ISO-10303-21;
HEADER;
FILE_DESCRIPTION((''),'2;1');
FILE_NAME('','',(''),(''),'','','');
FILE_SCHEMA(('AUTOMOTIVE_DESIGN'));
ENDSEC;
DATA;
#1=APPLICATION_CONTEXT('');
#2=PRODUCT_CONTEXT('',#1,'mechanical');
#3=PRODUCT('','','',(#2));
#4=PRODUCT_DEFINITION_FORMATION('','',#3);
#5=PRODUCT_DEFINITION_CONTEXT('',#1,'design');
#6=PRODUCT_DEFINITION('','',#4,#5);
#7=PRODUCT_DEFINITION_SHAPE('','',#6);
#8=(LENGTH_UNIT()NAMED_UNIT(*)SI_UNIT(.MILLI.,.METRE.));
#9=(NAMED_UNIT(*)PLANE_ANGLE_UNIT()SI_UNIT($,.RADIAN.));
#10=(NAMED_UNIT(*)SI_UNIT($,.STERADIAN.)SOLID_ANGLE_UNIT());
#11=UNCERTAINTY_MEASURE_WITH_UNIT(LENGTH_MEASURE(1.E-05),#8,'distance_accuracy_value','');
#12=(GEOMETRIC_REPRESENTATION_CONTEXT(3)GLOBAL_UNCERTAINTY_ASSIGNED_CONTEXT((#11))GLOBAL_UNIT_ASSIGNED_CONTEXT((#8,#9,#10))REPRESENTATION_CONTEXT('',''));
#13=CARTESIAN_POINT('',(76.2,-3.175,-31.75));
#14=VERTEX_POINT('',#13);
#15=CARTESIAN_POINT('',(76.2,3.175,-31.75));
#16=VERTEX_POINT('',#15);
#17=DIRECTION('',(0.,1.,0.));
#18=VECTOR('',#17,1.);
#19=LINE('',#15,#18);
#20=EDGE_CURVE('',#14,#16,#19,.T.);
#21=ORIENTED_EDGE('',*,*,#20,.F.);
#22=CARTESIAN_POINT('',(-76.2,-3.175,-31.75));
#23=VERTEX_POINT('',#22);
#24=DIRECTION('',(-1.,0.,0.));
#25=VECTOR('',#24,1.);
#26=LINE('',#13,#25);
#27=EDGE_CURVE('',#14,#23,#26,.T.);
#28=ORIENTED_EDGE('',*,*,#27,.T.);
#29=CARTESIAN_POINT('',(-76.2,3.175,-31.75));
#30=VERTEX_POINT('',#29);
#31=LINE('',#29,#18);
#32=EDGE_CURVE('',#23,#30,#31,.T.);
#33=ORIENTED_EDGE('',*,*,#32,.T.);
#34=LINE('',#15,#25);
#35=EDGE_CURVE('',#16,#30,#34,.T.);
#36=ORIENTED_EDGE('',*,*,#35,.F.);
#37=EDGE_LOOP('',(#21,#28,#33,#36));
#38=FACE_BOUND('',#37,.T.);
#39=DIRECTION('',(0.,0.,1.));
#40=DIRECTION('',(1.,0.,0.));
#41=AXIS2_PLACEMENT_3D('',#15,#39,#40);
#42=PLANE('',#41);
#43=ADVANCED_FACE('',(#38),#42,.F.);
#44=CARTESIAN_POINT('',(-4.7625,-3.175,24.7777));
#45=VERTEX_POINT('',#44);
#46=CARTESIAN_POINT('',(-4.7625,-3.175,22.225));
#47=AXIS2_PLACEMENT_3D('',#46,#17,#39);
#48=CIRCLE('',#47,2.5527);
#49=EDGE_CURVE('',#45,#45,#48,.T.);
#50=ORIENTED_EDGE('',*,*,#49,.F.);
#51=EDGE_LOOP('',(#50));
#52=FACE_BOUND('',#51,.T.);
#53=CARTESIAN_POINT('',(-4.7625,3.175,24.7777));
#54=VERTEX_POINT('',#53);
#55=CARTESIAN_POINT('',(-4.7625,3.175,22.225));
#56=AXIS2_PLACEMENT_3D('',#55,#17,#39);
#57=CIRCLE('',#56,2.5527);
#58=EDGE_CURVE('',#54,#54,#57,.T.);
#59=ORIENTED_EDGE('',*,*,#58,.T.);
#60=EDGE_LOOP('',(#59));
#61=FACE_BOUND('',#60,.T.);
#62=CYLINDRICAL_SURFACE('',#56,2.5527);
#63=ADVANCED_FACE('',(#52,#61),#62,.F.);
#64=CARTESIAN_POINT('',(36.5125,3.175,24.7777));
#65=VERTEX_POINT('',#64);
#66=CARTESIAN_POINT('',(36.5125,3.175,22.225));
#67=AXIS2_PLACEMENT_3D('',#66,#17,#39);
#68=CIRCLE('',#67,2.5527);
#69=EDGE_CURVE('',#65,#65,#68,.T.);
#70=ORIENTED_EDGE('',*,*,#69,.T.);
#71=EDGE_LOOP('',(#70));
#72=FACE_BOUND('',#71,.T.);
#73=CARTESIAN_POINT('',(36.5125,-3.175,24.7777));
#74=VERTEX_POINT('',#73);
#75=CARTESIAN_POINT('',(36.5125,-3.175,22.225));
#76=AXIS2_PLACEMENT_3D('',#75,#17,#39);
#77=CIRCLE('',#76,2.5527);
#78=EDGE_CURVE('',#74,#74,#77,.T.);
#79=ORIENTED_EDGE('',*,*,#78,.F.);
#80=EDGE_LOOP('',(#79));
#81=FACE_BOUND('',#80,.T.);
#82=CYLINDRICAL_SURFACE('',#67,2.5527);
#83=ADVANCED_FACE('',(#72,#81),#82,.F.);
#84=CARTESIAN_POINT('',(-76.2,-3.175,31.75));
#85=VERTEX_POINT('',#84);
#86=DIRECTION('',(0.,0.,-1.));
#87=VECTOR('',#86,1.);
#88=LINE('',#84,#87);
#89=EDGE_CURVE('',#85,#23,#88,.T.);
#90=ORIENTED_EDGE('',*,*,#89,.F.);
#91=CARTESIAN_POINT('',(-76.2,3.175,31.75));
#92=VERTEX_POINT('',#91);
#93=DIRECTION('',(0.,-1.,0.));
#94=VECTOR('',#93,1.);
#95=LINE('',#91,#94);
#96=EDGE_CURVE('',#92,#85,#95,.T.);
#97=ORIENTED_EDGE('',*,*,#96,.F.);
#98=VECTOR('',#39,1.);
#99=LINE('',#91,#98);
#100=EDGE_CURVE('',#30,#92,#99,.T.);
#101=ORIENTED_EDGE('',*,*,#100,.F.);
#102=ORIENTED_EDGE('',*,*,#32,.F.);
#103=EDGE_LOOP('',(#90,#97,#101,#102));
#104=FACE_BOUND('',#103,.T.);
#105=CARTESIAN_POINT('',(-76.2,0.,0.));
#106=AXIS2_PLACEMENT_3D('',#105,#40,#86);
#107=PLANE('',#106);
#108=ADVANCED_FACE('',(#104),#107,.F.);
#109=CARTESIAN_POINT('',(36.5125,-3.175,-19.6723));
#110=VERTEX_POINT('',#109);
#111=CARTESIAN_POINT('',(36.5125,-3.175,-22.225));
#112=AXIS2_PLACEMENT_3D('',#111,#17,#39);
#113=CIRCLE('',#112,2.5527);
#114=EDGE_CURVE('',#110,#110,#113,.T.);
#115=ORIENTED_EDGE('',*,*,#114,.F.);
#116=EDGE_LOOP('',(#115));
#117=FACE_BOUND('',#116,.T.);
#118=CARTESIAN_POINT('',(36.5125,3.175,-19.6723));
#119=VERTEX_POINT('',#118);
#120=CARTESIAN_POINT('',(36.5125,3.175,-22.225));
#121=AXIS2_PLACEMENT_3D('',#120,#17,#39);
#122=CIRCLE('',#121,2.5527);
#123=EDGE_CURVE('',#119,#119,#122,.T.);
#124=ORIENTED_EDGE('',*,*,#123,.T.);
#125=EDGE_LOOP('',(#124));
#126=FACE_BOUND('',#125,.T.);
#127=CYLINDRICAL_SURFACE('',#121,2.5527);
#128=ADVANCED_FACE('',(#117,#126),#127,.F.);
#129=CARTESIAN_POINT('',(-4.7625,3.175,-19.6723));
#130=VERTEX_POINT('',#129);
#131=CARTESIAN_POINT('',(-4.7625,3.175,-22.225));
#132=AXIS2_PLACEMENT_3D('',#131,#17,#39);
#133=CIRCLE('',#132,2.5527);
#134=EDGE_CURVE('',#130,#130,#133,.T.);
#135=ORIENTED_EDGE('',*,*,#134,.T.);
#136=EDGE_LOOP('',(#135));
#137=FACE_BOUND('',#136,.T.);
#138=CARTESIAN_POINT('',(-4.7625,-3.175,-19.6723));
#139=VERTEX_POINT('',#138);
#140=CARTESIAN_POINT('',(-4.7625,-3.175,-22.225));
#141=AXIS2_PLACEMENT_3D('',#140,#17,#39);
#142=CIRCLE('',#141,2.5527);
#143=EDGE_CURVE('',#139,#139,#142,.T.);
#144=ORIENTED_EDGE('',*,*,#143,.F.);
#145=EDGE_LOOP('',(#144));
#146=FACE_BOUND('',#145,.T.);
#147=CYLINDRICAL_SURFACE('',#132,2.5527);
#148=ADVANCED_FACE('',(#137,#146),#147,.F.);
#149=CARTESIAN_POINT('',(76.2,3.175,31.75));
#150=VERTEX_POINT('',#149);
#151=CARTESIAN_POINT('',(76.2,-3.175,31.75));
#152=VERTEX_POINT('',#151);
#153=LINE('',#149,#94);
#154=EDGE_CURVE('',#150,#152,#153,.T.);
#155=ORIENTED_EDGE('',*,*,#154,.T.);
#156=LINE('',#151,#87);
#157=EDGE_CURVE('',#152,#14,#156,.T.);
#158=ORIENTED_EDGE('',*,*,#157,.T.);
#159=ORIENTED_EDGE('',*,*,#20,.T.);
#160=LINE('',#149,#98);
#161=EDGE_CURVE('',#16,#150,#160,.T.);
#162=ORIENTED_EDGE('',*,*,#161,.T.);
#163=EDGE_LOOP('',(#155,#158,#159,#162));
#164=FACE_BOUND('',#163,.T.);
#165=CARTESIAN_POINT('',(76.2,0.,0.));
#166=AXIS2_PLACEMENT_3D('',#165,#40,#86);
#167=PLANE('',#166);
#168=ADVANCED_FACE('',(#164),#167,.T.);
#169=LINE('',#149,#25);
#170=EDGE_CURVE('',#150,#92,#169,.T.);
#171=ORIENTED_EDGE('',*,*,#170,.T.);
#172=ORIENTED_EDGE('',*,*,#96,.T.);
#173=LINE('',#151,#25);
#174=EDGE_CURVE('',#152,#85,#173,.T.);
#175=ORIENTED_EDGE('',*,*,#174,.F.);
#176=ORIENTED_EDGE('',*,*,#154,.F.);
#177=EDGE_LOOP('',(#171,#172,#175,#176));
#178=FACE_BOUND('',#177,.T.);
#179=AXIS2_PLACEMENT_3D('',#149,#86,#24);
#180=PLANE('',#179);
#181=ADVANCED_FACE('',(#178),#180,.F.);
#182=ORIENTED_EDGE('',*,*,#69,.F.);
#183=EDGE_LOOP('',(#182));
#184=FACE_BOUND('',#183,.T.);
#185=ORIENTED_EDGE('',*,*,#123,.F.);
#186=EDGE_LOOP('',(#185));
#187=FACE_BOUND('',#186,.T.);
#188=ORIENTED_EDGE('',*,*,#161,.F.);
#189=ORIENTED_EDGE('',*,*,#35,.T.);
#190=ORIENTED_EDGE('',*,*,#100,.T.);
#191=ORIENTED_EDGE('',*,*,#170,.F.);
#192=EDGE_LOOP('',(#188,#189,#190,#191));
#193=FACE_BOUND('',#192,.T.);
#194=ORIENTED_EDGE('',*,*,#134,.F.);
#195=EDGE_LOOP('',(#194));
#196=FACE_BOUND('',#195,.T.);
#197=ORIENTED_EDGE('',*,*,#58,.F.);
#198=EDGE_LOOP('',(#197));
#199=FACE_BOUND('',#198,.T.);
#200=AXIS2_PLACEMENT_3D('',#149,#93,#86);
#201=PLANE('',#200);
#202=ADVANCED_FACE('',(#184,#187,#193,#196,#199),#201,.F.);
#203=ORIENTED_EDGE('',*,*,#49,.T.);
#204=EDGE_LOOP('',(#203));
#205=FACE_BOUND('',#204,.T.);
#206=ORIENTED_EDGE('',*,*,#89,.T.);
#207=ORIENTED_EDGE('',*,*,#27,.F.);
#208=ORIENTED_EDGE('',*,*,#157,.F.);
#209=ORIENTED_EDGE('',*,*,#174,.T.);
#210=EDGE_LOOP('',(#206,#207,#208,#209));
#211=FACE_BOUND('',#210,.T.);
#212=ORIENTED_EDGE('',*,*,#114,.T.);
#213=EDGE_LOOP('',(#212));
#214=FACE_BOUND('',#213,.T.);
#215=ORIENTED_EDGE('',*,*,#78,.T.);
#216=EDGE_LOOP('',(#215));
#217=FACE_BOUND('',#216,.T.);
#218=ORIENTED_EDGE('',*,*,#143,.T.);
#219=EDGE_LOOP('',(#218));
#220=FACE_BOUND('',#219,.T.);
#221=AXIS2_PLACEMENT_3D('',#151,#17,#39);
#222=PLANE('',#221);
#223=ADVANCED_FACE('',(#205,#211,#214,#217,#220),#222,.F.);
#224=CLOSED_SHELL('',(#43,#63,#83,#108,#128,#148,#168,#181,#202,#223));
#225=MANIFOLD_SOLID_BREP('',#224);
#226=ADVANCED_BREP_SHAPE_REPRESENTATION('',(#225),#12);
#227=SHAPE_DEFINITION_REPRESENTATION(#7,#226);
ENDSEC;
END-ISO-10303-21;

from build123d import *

# Parameters (mm, degrees)
SKETCH1_W                  = 63.5
SKETCH1_H                  = 6.35
BOSS_EXTRUDE1_DEPTH        = 76.2
F_10_CLEARANCE_HOLE1_D     = 5.1054
F_10_CLEARANCE_HOLE1_DEPTH = 9.652
F_10_CLEARANCE_HOLE1_TIP   = 1.533816902


with BuildPart() as part:
    # Sketch1 → Boss-Extrude1 (new, symmetric)
    with BuildSketch(Plane(origin=(0, 0, 0), x_dir=(0, 0, -1), z_dir=(1, 0, 0))):
        Rectangle(SKETCH1_W, SKETCH1_H)
    extrude(amount=BOSS_EXTRUDE1_DEPTH, both=True)

    # #10 Clearance Hole1
    with Locations(Plane(origin=(0, 3.175, 0), x_dir=(1, 0, 0), z_dir=(0, 1, 0))):
        with Locations((-4.7625, 22.225), (36.5125, -22.225), (-4.7625, -22.225), (36.5125, 22.225)):
            Hole(F_10_CLEARANCE_HOLE1_D / 2, depth=F_10_CLEARANCE_HOLE1_DEPTH)
            with Locations((0, 0, -(F_10_CLEARANCE_HOLE1_DEPTH + F_10_CLEARANCE_HOLE1_TIP / 2))):  # 118° drill point
                Cone(0, F_10_CLEARANCE_HOLE1_D / 2, F_10_CLEARANCE_HOLE1_TIP, mode=Mode.SUBTRACT)


solid = part.part
